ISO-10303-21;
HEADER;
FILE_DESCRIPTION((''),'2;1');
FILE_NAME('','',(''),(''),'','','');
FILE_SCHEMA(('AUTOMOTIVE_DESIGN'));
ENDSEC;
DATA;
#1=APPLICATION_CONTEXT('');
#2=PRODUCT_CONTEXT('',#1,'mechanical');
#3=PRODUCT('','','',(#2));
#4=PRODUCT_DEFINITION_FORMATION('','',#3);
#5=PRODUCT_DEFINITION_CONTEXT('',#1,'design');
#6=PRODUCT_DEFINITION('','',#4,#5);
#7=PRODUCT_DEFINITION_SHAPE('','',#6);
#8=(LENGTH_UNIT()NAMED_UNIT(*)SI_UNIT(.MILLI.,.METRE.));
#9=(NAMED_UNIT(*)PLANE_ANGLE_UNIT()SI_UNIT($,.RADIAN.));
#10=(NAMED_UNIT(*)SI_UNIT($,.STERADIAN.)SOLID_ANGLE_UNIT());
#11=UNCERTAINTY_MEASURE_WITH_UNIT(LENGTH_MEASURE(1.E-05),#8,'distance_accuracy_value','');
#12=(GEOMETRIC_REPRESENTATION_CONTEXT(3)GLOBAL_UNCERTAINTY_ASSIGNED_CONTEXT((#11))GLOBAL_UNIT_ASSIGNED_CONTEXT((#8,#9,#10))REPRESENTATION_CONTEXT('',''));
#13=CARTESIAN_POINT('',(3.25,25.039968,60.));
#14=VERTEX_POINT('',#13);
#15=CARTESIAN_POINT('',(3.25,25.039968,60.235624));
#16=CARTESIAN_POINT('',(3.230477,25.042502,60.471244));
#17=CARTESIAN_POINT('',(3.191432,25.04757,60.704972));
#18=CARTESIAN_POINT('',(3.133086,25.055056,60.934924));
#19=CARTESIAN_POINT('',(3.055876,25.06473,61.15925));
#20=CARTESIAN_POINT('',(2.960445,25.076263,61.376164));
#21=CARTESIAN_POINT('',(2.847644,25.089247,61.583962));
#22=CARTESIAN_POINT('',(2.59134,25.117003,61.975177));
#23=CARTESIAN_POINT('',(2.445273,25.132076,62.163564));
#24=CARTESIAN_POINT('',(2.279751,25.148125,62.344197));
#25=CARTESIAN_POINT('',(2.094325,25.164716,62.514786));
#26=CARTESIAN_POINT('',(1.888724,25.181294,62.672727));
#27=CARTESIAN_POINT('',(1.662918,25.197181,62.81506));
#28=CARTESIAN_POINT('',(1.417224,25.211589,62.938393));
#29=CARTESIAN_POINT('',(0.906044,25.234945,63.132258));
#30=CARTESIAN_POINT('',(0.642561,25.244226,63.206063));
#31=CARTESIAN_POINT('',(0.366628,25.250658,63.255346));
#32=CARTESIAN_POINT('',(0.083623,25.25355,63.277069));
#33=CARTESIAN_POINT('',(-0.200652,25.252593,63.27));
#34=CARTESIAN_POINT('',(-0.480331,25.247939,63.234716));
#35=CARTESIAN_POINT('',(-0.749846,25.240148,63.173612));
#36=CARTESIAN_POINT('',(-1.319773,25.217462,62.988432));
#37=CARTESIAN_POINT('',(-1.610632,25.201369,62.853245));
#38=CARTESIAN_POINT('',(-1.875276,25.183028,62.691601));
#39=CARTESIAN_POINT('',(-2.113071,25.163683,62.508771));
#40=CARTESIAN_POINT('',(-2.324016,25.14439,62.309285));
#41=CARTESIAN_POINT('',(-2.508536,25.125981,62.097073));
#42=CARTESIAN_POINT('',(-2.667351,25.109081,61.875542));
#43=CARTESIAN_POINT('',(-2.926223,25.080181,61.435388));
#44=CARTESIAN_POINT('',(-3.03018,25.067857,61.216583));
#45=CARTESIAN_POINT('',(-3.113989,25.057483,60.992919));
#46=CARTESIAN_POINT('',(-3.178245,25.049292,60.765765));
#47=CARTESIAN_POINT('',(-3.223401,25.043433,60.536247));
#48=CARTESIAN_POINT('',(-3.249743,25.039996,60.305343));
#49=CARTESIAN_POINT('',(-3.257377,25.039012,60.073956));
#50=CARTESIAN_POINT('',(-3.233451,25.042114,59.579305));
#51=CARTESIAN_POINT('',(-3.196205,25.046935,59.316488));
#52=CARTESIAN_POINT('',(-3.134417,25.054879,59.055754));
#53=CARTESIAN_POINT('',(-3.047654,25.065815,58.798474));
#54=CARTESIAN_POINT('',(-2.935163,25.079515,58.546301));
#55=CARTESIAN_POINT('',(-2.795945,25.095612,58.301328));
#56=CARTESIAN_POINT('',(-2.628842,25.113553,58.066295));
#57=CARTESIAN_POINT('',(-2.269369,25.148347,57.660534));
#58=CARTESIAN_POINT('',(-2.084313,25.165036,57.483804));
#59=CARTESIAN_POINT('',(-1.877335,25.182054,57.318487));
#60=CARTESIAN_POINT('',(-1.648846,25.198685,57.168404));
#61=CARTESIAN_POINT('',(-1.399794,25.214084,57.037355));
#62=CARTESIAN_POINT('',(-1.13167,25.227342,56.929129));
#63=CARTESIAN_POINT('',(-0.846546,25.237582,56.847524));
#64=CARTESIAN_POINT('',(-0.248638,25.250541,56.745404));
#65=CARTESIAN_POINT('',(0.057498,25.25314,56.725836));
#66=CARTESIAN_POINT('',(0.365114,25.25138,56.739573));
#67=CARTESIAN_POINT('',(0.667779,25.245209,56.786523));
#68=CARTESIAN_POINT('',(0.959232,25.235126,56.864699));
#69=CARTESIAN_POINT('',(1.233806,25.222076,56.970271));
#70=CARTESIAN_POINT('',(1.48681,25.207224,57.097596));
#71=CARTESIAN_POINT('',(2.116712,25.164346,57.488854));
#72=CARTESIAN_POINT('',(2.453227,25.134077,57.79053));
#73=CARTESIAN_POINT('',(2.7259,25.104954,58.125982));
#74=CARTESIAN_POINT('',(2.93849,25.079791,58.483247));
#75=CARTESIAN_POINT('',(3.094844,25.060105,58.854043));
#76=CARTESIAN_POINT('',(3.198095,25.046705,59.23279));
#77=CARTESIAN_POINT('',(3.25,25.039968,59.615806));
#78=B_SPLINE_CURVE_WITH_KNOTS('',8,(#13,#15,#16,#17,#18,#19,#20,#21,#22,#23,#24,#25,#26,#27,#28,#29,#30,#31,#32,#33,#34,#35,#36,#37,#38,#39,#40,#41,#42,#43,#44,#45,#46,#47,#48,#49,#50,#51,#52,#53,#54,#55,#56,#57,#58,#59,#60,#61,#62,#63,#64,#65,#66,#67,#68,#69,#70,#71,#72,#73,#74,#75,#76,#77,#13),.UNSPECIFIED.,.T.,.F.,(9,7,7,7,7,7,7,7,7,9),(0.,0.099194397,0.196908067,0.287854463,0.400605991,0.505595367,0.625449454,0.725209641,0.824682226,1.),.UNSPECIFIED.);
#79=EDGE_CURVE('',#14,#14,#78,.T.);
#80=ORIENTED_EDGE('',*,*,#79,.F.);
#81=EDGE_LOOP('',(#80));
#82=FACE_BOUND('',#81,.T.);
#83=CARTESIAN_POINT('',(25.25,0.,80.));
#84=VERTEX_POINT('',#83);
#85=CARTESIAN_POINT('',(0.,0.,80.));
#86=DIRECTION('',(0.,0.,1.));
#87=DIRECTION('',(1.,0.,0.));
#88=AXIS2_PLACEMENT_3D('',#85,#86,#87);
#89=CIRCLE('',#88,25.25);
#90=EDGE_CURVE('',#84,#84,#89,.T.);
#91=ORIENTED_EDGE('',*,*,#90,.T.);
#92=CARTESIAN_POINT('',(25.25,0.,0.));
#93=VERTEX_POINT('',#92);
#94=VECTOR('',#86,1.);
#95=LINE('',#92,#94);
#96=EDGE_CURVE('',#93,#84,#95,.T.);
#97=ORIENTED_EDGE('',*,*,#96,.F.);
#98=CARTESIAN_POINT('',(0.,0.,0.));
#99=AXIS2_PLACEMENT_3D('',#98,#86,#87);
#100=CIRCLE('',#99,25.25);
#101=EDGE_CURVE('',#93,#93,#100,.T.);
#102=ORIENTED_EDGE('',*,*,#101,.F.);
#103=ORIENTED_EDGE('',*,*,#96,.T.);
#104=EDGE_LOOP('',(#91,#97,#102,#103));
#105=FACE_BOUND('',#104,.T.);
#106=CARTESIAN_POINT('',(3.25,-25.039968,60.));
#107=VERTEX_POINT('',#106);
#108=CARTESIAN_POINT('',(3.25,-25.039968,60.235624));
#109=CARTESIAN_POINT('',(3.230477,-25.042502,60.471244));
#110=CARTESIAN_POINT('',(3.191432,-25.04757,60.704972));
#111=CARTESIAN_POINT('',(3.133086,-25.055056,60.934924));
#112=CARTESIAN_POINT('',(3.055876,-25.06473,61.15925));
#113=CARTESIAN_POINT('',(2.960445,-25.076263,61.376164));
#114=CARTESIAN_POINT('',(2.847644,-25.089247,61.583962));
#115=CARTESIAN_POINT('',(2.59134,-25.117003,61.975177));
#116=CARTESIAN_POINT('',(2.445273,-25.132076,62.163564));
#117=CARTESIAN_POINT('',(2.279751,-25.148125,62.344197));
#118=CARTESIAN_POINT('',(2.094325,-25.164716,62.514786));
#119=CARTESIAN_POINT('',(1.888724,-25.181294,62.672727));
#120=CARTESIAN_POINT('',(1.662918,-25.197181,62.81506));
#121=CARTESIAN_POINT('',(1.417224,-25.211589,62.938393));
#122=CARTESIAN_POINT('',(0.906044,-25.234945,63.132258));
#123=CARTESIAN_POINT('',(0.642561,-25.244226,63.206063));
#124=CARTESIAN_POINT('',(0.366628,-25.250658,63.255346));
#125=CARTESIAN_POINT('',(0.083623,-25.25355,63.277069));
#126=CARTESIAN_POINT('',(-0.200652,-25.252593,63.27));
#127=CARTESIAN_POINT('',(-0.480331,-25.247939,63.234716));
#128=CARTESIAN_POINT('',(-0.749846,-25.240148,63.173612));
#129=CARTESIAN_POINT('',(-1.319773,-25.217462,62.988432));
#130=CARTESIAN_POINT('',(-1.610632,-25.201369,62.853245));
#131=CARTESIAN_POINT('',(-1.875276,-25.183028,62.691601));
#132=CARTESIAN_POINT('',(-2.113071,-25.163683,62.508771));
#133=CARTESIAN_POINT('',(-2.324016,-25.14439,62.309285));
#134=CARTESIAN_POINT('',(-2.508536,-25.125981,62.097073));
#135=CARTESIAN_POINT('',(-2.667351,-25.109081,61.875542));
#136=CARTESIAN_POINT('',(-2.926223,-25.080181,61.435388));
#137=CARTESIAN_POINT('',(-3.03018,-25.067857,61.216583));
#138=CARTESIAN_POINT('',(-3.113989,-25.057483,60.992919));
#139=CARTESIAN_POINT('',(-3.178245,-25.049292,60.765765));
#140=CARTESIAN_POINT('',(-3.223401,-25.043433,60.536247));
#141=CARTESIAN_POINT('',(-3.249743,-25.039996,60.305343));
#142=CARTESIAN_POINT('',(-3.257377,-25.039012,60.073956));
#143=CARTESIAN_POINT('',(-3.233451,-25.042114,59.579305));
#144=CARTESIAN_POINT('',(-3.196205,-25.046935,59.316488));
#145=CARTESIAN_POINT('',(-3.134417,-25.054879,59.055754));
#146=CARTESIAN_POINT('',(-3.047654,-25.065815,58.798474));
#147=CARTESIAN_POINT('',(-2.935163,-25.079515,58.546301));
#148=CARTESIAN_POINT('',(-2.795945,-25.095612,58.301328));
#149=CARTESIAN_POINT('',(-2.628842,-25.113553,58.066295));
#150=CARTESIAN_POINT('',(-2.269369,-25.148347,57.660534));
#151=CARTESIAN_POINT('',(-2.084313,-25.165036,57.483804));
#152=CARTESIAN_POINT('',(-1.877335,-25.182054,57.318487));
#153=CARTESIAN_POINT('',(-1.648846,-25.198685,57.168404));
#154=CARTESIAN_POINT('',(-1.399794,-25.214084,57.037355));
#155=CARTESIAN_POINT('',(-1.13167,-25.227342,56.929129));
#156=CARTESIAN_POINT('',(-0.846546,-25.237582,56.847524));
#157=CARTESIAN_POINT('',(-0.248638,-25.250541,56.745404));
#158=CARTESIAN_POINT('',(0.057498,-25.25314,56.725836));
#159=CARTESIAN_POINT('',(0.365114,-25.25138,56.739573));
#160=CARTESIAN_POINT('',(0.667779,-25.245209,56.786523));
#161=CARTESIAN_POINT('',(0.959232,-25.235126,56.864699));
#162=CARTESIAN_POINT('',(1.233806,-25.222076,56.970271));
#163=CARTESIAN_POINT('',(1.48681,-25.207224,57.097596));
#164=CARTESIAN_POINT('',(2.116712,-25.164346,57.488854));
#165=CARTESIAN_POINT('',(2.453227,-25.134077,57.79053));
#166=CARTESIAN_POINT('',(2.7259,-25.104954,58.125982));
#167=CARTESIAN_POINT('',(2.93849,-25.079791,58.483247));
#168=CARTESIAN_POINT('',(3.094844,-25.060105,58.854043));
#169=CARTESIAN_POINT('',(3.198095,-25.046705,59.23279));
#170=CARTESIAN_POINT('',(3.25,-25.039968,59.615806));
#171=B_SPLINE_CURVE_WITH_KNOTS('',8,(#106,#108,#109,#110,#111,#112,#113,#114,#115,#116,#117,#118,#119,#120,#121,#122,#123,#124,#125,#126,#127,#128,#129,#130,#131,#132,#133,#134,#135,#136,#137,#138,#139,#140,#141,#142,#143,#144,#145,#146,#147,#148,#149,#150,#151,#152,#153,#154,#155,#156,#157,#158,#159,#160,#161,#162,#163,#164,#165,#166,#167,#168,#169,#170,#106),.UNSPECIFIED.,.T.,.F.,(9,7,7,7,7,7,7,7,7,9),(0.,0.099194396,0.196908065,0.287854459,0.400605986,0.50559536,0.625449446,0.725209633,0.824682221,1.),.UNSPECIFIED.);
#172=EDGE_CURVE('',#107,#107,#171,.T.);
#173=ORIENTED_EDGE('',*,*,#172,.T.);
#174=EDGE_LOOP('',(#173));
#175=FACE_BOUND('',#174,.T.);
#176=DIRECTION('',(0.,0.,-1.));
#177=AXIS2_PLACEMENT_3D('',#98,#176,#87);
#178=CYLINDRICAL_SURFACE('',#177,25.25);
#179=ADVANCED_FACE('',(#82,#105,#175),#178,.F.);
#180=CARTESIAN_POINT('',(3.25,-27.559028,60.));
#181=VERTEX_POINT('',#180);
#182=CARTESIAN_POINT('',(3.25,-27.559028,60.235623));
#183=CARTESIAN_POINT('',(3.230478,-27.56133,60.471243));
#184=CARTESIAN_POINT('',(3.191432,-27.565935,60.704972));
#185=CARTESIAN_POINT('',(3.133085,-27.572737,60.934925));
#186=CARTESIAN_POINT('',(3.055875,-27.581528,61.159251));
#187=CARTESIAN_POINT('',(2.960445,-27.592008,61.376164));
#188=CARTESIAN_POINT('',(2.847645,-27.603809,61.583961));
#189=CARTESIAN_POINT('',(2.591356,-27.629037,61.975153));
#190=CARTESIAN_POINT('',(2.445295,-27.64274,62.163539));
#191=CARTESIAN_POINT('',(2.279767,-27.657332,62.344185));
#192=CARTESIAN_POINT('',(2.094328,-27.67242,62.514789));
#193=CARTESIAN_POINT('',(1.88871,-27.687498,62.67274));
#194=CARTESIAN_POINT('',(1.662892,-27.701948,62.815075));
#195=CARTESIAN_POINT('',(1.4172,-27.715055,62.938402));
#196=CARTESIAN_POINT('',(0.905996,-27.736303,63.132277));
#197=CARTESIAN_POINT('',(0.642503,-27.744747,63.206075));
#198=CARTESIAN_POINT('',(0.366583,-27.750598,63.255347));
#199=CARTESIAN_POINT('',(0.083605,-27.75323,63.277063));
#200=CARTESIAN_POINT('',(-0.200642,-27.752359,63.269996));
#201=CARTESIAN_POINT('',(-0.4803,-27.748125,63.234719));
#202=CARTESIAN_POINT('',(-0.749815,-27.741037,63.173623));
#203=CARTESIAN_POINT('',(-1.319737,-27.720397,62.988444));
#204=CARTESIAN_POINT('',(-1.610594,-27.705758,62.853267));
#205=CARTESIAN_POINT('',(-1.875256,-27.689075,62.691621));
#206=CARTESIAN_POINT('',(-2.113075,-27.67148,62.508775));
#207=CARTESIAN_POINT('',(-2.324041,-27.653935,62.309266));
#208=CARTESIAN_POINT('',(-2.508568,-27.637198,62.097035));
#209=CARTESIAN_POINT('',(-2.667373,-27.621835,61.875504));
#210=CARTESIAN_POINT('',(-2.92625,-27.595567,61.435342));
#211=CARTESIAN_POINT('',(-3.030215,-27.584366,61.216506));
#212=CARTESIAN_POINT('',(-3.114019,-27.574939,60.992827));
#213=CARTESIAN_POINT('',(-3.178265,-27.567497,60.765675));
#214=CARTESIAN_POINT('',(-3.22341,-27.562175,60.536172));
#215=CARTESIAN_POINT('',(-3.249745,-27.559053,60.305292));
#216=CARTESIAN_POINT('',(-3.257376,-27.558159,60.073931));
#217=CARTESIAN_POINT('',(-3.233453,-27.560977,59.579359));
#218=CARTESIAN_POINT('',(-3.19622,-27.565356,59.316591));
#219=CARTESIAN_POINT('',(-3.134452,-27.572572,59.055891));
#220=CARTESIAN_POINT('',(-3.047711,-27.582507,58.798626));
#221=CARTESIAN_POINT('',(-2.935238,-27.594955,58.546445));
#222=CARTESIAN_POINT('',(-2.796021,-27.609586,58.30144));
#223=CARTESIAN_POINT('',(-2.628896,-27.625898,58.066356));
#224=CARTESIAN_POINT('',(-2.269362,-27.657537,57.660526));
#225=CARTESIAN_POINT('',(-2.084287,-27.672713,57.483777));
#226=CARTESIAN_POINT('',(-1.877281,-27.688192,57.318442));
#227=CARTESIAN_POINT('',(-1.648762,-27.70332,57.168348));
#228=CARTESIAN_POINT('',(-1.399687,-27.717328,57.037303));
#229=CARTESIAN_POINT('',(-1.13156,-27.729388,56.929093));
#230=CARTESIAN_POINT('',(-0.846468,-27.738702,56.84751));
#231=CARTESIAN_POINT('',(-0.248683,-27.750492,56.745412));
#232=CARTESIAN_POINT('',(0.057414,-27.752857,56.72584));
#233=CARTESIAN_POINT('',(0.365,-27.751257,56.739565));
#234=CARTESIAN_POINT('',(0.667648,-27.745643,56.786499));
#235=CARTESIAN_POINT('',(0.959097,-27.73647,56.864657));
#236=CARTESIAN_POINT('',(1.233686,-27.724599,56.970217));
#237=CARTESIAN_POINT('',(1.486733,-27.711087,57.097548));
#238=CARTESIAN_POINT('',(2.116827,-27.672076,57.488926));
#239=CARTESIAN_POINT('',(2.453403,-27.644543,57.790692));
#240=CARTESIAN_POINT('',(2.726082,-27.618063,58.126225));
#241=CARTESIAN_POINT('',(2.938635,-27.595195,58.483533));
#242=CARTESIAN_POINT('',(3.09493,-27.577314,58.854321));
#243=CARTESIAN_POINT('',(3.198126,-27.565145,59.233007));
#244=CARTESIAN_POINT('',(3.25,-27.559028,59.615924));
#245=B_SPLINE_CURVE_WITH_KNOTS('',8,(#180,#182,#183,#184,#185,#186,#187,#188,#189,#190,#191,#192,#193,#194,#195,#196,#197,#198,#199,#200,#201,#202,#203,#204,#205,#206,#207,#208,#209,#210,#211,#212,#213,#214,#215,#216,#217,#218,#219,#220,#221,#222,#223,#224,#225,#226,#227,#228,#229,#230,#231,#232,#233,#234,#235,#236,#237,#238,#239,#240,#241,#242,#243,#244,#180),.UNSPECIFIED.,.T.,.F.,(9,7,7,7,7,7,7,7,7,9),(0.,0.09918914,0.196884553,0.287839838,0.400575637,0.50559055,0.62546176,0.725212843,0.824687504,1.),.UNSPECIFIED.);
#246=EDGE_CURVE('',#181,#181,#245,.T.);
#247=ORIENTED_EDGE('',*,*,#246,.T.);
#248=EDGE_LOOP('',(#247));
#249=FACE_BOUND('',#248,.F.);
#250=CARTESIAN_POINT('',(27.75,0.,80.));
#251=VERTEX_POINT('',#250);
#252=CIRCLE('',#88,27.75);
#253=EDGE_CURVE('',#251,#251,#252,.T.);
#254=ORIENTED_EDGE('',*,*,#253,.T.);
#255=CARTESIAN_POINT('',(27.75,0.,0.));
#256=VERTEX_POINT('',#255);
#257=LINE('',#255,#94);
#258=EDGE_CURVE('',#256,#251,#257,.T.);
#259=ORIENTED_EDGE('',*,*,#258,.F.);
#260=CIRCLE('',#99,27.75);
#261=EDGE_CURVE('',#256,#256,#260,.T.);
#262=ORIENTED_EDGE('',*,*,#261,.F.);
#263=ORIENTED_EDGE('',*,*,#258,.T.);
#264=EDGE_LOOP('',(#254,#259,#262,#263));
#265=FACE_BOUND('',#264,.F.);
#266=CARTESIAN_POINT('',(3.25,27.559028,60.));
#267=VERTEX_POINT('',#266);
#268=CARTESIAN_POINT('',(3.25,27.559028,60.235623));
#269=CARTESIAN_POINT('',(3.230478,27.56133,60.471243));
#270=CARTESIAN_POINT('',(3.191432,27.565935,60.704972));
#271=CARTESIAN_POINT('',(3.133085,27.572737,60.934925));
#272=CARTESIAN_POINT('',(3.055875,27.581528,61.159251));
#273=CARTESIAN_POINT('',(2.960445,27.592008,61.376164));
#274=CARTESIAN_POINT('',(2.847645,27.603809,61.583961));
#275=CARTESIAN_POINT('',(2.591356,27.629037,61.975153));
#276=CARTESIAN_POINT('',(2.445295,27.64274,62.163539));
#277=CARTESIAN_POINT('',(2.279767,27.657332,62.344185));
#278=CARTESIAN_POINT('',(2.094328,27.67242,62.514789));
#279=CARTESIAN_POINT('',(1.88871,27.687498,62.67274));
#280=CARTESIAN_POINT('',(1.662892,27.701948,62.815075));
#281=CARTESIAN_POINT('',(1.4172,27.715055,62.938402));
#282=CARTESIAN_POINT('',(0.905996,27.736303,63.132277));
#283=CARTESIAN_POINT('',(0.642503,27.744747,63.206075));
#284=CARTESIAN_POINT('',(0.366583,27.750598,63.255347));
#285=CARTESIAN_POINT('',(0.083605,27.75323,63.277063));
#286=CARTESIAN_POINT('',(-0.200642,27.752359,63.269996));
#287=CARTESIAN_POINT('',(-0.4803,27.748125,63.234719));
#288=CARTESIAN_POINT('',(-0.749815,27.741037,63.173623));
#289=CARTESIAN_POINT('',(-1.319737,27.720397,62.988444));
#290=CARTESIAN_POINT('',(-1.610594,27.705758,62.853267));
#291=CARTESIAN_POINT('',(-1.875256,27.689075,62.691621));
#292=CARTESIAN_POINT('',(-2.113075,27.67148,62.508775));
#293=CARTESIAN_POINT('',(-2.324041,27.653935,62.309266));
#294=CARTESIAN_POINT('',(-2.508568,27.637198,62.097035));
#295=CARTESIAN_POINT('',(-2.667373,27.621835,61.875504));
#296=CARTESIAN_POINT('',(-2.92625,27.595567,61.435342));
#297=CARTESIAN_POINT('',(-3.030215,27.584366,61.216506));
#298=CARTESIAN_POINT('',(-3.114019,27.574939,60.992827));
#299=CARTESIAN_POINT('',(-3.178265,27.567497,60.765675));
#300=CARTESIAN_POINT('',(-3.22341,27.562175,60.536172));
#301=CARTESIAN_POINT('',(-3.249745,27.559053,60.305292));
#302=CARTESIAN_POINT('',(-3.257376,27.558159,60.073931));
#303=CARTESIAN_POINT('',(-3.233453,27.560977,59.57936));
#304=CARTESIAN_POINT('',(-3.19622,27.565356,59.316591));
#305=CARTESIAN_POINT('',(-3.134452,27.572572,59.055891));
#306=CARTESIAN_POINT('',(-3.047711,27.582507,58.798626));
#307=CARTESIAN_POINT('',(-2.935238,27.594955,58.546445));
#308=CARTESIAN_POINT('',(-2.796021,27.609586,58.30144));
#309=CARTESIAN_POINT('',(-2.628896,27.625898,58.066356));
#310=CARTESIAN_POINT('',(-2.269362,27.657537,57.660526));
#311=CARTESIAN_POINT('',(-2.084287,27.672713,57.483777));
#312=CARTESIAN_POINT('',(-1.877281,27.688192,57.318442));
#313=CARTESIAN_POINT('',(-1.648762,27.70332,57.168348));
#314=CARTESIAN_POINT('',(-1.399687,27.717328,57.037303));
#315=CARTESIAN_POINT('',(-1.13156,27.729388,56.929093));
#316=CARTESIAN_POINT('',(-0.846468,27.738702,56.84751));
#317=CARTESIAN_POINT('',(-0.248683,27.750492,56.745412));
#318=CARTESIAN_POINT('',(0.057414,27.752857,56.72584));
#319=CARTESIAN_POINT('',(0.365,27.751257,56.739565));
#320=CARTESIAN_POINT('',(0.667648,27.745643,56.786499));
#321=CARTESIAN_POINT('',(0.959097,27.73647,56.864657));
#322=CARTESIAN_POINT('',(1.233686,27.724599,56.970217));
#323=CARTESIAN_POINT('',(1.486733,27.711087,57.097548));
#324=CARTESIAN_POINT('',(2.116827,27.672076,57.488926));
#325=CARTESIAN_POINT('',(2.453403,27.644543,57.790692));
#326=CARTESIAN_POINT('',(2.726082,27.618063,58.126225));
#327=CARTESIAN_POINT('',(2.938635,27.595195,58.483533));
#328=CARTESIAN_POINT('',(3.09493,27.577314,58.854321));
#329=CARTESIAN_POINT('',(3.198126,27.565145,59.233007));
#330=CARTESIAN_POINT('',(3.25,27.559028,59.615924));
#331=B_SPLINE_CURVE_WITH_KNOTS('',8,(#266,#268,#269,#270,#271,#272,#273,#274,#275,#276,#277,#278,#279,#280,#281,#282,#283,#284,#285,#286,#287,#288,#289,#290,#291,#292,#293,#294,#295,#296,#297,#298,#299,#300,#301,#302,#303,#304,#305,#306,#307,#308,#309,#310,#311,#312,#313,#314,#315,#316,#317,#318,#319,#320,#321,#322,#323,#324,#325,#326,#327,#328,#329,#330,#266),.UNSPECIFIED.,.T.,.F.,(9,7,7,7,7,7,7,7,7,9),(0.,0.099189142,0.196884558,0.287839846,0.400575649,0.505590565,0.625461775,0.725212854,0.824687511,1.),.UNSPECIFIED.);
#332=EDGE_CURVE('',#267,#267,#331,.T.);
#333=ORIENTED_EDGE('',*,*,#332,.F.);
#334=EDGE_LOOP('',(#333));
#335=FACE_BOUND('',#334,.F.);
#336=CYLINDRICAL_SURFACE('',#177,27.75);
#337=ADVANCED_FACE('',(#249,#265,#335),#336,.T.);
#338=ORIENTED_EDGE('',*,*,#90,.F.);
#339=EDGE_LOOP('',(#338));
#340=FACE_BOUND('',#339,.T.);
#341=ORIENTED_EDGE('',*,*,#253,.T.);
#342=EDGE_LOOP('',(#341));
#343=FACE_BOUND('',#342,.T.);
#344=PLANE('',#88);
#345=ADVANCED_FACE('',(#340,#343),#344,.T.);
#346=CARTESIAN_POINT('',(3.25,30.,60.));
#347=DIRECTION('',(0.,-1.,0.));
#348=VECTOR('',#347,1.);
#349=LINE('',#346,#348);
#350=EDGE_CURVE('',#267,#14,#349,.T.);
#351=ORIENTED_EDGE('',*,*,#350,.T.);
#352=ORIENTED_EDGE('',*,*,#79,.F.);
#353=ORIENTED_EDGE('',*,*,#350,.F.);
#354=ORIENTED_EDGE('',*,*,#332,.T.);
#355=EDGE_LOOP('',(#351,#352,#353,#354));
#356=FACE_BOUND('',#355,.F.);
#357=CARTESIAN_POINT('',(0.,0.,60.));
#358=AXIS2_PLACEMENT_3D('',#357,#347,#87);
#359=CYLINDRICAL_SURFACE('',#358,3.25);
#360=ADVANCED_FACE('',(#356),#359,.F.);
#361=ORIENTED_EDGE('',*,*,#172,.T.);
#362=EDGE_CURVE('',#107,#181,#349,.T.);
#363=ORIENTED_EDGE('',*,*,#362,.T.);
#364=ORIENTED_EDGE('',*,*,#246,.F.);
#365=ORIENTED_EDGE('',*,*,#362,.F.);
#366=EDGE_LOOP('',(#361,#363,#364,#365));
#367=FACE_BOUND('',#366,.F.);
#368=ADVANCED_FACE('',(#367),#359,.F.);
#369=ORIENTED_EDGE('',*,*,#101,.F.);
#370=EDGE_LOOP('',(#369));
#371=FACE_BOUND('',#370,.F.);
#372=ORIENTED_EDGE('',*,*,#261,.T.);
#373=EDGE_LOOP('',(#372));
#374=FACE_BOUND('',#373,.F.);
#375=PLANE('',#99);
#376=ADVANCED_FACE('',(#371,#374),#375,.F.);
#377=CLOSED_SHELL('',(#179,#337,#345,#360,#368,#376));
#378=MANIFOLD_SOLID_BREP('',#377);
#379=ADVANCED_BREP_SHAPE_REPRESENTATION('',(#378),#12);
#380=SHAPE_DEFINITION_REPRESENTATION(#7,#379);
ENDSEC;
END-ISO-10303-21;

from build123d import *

# Parameters (mm, degrees)
F0_R     = 27.75
F1_DEPTH = 80
F2_T     = -2.5
F3_R     = 3.25
F4_DEPTH = 30


with BuildPart() as f1:
    # F0 (on Top) → F1 (new body)
    with BuildSketch(Plane.XY):
        Circle(F0_R)
    extrude(amount=F1_DEPTH)

    # F2
    f2_openings = [f1.faces().sort_by_distance(p)[0] for p in [
        (0, 0, 80),
        (0, 0, 0),
    ]]
    offset(amount=F2_T, openings=f2_openings)

    # F3 (on Front) → F4 (cut, symmetric)
    with BuildSketch(Plane.XZ):
        with Locations((0, 60)):
            Circle(F3_R)
    extrude(amount=F4_DEPTH, both=True, mode=Mode.SUBTRACT)


solid = f1.part
